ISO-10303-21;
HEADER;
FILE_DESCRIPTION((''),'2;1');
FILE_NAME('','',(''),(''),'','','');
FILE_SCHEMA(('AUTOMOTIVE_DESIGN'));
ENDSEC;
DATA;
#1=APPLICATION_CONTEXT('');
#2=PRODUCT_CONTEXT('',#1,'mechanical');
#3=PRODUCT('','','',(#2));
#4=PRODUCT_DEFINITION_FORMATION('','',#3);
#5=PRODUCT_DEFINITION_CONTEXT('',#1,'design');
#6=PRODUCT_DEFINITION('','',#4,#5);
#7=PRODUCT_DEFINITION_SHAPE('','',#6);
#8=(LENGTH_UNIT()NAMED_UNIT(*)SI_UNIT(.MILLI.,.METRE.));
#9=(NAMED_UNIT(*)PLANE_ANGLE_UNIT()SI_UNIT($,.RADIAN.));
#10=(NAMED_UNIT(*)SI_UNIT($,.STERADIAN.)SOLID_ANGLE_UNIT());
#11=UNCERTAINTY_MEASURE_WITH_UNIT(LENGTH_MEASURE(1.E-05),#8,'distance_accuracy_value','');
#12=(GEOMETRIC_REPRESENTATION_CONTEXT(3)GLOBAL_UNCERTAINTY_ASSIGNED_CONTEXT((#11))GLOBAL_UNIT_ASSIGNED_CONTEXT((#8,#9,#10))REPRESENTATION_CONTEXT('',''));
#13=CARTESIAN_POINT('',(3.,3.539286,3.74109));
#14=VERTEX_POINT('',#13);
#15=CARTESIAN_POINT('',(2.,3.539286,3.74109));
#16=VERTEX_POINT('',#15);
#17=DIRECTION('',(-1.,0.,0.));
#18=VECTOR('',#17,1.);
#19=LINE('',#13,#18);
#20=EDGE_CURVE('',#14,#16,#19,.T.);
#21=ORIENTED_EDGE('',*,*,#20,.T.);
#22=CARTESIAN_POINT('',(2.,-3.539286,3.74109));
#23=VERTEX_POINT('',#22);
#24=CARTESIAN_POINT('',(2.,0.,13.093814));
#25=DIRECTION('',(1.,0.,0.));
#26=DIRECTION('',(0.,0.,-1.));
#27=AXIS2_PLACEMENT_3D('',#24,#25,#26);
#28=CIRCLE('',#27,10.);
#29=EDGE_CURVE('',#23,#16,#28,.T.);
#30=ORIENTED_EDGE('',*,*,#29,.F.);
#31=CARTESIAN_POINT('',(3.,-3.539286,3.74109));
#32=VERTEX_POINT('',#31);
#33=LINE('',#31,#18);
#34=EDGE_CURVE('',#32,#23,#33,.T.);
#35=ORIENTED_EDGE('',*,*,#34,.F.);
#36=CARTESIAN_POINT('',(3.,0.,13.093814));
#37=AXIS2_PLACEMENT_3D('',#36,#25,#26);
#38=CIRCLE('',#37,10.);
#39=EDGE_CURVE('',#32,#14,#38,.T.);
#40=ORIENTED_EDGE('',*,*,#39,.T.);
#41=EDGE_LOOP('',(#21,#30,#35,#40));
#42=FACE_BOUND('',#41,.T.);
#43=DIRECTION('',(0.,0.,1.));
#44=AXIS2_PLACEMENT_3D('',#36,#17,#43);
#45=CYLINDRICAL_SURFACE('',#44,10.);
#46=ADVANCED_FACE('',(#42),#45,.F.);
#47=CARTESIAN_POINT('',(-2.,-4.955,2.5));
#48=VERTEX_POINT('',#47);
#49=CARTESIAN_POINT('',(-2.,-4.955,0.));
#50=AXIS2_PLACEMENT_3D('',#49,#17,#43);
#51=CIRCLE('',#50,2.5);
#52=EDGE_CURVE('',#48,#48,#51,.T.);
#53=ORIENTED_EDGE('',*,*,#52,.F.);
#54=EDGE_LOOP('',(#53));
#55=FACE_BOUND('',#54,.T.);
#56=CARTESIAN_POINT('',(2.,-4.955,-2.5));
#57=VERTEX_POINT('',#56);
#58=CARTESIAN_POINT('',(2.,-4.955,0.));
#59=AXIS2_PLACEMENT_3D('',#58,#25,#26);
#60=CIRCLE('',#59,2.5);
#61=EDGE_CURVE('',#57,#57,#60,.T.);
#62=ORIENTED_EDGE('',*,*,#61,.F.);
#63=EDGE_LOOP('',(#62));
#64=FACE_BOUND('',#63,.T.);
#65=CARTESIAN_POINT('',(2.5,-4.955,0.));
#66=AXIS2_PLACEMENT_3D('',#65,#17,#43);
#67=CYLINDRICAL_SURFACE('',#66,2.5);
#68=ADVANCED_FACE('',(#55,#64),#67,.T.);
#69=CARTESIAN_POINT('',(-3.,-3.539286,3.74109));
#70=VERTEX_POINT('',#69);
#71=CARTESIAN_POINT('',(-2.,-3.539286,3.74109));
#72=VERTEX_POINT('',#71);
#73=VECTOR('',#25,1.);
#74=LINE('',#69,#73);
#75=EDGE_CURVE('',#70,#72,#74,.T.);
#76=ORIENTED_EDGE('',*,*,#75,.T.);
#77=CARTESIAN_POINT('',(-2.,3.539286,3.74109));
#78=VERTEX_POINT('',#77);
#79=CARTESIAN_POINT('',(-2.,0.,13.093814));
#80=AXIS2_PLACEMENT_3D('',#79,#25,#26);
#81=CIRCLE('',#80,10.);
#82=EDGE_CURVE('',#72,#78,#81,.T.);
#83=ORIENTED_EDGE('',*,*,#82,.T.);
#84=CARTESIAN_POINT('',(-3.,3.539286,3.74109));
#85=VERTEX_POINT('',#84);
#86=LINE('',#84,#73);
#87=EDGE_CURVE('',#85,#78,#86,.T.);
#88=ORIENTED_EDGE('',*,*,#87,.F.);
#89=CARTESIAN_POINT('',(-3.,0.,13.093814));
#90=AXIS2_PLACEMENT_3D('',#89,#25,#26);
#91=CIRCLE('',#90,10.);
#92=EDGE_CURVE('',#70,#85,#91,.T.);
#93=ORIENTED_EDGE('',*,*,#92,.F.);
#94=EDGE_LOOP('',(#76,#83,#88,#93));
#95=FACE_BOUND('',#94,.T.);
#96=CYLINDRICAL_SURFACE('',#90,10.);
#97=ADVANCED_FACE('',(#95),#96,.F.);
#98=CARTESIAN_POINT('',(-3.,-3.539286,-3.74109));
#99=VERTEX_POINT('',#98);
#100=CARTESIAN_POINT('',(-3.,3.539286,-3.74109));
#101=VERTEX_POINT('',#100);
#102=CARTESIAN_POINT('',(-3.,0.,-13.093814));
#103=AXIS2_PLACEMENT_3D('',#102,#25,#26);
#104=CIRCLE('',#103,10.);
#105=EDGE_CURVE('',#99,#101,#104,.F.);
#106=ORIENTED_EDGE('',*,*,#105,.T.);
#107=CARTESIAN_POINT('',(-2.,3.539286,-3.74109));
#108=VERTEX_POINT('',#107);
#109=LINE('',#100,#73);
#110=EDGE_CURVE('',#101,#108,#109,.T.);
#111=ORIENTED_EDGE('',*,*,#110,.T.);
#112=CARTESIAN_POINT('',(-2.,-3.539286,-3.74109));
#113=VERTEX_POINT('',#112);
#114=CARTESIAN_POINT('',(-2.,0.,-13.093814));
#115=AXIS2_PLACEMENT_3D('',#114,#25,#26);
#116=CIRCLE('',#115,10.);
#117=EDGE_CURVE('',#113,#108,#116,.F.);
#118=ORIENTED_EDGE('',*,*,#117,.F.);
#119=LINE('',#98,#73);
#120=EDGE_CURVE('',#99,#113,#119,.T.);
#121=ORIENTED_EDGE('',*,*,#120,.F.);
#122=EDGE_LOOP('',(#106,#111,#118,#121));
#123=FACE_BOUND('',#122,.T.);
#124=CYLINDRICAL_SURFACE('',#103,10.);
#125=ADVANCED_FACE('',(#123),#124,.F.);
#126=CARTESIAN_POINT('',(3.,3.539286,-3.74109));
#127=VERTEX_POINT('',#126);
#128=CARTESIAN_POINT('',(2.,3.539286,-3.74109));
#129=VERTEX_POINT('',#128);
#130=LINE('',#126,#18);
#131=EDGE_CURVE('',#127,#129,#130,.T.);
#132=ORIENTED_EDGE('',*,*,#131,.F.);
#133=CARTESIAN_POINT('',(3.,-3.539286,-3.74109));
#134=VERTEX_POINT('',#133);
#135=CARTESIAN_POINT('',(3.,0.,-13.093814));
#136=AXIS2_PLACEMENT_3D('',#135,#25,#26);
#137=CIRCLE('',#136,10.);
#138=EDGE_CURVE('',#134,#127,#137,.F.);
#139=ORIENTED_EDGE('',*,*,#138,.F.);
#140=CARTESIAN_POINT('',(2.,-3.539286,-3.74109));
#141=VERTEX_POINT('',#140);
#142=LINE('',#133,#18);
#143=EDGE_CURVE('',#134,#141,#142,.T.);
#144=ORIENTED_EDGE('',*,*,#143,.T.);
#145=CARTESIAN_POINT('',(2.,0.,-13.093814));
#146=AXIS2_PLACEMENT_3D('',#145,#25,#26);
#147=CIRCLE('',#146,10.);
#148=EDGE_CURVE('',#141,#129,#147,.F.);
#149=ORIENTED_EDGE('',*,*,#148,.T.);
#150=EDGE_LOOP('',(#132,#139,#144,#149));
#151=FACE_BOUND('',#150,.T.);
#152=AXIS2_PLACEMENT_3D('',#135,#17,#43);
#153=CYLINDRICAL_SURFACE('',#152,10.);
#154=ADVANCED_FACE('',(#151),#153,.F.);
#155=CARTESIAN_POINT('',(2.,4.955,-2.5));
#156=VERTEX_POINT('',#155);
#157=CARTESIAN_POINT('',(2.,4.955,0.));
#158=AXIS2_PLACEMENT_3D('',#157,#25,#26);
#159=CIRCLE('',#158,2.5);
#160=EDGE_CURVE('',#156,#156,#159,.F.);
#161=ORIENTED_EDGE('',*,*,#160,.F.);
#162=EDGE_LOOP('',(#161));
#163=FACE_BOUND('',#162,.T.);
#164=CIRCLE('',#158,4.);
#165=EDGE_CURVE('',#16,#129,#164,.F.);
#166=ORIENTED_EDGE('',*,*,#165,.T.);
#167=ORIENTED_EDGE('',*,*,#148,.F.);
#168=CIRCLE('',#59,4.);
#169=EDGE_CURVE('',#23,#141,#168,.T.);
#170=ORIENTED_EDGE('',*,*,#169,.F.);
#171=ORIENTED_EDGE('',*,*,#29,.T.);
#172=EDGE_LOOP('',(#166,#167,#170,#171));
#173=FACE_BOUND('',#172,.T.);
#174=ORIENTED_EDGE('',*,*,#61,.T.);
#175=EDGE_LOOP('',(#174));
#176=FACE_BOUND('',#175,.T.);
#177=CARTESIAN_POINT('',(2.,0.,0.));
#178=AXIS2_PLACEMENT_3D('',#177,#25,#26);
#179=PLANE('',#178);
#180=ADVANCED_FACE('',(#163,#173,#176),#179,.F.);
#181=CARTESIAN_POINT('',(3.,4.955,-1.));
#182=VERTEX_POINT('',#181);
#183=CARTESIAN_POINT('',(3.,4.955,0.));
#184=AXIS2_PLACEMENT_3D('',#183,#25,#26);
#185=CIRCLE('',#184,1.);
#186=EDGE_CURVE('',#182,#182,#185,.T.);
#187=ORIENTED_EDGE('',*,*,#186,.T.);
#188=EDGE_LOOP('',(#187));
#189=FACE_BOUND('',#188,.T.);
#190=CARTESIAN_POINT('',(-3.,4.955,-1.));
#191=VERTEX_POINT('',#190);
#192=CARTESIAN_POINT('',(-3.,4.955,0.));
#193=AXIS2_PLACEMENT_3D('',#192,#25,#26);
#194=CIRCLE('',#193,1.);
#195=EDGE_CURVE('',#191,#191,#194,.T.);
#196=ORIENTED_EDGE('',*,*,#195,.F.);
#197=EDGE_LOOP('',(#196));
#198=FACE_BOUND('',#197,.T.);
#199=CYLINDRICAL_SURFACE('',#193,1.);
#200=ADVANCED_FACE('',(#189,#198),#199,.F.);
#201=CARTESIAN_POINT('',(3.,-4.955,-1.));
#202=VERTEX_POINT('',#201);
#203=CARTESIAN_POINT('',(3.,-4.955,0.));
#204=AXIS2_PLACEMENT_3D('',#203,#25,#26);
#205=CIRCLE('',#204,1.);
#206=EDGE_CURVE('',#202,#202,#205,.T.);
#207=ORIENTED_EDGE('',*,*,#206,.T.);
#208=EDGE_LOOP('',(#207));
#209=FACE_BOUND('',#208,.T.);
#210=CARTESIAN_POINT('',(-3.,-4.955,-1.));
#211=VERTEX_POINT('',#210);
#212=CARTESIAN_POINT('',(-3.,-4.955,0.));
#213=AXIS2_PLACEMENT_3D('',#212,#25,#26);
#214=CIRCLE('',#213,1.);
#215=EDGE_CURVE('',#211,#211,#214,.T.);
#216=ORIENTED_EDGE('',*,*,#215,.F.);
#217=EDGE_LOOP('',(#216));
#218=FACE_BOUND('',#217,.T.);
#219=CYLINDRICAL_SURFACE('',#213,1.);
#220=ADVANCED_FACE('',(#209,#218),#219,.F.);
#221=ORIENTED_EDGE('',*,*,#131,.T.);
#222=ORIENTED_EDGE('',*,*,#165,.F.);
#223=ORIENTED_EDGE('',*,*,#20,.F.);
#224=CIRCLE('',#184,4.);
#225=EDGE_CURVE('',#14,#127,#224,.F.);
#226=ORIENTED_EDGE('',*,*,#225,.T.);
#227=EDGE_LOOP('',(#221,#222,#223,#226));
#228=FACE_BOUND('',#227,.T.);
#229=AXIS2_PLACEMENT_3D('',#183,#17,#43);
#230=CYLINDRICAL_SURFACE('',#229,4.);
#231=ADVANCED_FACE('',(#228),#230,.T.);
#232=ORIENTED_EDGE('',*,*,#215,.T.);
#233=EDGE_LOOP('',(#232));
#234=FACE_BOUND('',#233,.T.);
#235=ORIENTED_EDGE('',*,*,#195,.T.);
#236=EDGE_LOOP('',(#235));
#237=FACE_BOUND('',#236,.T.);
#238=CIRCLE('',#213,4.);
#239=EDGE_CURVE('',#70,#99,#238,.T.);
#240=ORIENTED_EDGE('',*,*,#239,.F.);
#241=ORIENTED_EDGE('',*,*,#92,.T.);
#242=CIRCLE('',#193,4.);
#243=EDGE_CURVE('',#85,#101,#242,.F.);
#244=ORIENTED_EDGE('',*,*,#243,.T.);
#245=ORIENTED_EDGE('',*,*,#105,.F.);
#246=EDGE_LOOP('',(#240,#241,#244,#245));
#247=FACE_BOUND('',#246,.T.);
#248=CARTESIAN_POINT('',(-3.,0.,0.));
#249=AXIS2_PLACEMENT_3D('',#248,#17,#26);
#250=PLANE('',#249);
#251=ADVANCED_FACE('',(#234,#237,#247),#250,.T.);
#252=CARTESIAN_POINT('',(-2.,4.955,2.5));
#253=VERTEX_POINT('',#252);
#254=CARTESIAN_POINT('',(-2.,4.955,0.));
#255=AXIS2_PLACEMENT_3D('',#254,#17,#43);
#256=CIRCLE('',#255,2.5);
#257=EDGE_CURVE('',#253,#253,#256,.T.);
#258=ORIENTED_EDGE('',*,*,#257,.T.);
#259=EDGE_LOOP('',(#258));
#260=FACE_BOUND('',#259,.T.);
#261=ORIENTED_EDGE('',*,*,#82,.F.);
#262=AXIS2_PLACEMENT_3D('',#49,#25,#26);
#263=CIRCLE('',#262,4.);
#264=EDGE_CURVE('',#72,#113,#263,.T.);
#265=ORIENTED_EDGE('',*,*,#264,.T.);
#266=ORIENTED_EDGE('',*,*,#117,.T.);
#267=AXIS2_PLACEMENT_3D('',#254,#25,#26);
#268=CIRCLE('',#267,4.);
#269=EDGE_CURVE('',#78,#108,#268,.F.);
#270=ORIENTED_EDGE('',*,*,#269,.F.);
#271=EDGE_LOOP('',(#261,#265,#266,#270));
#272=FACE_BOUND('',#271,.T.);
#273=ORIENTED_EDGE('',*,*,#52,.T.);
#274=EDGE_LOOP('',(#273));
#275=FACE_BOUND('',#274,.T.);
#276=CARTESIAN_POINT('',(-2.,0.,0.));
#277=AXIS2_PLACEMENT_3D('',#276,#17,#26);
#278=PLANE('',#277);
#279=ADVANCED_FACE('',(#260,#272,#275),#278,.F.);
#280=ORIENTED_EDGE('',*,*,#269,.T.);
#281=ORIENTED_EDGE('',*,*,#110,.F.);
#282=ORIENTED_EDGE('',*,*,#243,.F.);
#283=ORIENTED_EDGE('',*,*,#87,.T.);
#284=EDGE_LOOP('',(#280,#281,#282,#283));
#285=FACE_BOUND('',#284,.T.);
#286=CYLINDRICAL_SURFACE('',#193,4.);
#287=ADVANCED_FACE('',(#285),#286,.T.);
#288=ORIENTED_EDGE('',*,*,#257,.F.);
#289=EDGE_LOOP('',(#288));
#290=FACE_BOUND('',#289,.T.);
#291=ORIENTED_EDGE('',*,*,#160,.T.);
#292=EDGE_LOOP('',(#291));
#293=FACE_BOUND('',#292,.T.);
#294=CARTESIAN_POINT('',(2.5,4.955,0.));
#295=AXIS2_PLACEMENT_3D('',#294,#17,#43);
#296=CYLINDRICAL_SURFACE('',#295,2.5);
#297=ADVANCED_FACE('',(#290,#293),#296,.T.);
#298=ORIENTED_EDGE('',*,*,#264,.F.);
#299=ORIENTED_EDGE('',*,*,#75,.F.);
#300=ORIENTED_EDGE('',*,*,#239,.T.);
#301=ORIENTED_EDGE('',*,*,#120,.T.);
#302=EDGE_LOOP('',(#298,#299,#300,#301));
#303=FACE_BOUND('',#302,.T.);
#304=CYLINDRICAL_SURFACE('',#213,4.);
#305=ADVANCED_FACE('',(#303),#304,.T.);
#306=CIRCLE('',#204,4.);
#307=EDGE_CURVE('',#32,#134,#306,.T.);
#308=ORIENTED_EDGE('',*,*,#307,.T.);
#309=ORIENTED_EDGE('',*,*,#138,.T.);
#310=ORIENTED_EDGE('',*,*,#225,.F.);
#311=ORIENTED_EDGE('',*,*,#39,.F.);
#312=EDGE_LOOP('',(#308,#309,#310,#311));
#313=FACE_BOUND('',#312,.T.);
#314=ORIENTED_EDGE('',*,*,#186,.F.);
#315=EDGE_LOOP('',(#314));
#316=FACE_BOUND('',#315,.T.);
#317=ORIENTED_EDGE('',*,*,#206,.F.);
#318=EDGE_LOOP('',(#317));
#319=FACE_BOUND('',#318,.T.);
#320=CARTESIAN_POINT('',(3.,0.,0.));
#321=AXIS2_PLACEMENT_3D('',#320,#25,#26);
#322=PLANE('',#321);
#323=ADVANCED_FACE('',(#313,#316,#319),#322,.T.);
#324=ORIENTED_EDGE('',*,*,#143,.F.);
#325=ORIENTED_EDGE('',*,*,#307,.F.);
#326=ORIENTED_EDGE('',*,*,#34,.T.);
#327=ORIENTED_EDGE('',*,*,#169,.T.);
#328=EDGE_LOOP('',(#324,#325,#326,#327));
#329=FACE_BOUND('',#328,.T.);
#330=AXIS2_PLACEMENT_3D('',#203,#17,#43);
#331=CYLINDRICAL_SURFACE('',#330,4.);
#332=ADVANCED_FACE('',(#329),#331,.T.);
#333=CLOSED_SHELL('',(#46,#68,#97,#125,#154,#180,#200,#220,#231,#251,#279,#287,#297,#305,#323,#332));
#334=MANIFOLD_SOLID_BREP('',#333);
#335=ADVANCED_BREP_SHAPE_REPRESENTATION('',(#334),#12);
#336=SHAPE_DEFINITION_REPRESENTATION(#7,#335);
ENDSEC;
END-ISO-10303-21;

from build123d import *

# Parameters (mm, degrees)
SKETCH1_R             = 2.5
BOSS_EXTRUDE1_DEPTH   = 2.5
BOSS_EXTRUDE1_2_DEPTH = 2.5
SKETCH2_R             = 4
SKETCH2_R_2           = 2.5
BOSS_EXTRUDE2_DEPTH   = 0.5
SKETCH3_R             = 1
CUT_EXTRUDE1_DEPTH    = 12.497479072


with BuildPart() as part:
    # Sketch1 → Boss-Extrude1 (new, symmetric)
    with BuildSketch(Plane.YZ):
        with Locations(Location((-4.955, 0, 0), (0, 0, 270))):
            Circle(SKETCH1_R)
    extrude(amount=BOSS_EXTRUDE1_DEPTH, both=True)



with BuildPart() as body_2:
    # Sketch1 → Boss-Extrude1 2 (new, symmetric)
    with BuildSketch(Plane.YZ):
        with Locations(Location((4.955, 0, 0), (0, 0, 90))):
            Circle(SKETCH1_R)
    extrude(amount=BOSS_EXTRUDE1_2_DEPTH, both=True)


with BuildPart() as part_1:
    add(part.part)

    add(body_2.part)  # Boss-Extrude2 merges body 2
    # Sketch2 → Boss-Extrude2 (add, symmetric)
    # profile 1 of 4: a face of its own
    with BuildSketch(Plane.YZ.offset(2.5)):
        with Locations((-4.955, 0)):
            Circle(SKETCH2_R)
    # profile 2 of 4: a face of its own
    with BuildSketch(Plane.YZ.offset(2.5)):
        with BuildLine():
            ThreePointArc((-3.539285714, 3.741089823), (-1.663886424, 2.273449236), (-0.955, 0))
            ThreePointArc((-0.955, 0), (-1.663886424, -2.273449236), (-3.539285714, -3.741089823))
            ThreePointArc((-3.539285714, -3.741089823), (0, -3.093814379), (3.539285714, -3.741089823))
            ThreePointArc((3.539285714, -3.741089823), (0.955, 0), (3.539285714, 3.741089823))
            ThreePointArc((3.539285714, 3.741089823), (0, 3.093814379), (-3.539285714, 3.741089823))
        make_face()
    # profile 3 of 4: a face of its own
    with BuildSketch(Plane.YZ.offset(2.5)):
        with Locations((4.955, 0)):
            Circle(SKETCH2_R)
        with Locations(Location((4.955, 0, 0), (0, 0, 90))):
            Circle(SKETCH2_R_2, mode=Mode.SUBTRACT)
    # profile 4 of 4: a face of its own
    with BuildSketch(Plane.YZ.offset(2.5)):
        with Locations(Location((4.955, 0, 0), (0, 0, 90))):
            Circle(SKETCH2_R_2)
    boss_extrude2 = extrude(amount=BOSS_EXTRUDE2_DEPTH, both=True)

    # Mirror1: Boss-Extrude2 across plane
    add(boss_extrude2.mirror(Plane(origin=(0, 0, 0), x_dir=(0, 0, 1), z_dir=(1, 0, 0))))

    # Sketch3 → Cut-Extrude1 (cut, through all)
    with BuildSketch(Plane.YZ.offset(3)):
        with Locations(Location((-4.955, 0, 0), (0, 0, 270))):
            Circle(SKETCH3_R)
        with Locations(Location((4.955, 0, 0), (0, 0, 270))):
            Circle(SKETCH3_R)
    extrude(amount=-CUT_EXTRUDE1_DEPTH, mode=Mode.SUBTRACT)


solid = part_1.part
